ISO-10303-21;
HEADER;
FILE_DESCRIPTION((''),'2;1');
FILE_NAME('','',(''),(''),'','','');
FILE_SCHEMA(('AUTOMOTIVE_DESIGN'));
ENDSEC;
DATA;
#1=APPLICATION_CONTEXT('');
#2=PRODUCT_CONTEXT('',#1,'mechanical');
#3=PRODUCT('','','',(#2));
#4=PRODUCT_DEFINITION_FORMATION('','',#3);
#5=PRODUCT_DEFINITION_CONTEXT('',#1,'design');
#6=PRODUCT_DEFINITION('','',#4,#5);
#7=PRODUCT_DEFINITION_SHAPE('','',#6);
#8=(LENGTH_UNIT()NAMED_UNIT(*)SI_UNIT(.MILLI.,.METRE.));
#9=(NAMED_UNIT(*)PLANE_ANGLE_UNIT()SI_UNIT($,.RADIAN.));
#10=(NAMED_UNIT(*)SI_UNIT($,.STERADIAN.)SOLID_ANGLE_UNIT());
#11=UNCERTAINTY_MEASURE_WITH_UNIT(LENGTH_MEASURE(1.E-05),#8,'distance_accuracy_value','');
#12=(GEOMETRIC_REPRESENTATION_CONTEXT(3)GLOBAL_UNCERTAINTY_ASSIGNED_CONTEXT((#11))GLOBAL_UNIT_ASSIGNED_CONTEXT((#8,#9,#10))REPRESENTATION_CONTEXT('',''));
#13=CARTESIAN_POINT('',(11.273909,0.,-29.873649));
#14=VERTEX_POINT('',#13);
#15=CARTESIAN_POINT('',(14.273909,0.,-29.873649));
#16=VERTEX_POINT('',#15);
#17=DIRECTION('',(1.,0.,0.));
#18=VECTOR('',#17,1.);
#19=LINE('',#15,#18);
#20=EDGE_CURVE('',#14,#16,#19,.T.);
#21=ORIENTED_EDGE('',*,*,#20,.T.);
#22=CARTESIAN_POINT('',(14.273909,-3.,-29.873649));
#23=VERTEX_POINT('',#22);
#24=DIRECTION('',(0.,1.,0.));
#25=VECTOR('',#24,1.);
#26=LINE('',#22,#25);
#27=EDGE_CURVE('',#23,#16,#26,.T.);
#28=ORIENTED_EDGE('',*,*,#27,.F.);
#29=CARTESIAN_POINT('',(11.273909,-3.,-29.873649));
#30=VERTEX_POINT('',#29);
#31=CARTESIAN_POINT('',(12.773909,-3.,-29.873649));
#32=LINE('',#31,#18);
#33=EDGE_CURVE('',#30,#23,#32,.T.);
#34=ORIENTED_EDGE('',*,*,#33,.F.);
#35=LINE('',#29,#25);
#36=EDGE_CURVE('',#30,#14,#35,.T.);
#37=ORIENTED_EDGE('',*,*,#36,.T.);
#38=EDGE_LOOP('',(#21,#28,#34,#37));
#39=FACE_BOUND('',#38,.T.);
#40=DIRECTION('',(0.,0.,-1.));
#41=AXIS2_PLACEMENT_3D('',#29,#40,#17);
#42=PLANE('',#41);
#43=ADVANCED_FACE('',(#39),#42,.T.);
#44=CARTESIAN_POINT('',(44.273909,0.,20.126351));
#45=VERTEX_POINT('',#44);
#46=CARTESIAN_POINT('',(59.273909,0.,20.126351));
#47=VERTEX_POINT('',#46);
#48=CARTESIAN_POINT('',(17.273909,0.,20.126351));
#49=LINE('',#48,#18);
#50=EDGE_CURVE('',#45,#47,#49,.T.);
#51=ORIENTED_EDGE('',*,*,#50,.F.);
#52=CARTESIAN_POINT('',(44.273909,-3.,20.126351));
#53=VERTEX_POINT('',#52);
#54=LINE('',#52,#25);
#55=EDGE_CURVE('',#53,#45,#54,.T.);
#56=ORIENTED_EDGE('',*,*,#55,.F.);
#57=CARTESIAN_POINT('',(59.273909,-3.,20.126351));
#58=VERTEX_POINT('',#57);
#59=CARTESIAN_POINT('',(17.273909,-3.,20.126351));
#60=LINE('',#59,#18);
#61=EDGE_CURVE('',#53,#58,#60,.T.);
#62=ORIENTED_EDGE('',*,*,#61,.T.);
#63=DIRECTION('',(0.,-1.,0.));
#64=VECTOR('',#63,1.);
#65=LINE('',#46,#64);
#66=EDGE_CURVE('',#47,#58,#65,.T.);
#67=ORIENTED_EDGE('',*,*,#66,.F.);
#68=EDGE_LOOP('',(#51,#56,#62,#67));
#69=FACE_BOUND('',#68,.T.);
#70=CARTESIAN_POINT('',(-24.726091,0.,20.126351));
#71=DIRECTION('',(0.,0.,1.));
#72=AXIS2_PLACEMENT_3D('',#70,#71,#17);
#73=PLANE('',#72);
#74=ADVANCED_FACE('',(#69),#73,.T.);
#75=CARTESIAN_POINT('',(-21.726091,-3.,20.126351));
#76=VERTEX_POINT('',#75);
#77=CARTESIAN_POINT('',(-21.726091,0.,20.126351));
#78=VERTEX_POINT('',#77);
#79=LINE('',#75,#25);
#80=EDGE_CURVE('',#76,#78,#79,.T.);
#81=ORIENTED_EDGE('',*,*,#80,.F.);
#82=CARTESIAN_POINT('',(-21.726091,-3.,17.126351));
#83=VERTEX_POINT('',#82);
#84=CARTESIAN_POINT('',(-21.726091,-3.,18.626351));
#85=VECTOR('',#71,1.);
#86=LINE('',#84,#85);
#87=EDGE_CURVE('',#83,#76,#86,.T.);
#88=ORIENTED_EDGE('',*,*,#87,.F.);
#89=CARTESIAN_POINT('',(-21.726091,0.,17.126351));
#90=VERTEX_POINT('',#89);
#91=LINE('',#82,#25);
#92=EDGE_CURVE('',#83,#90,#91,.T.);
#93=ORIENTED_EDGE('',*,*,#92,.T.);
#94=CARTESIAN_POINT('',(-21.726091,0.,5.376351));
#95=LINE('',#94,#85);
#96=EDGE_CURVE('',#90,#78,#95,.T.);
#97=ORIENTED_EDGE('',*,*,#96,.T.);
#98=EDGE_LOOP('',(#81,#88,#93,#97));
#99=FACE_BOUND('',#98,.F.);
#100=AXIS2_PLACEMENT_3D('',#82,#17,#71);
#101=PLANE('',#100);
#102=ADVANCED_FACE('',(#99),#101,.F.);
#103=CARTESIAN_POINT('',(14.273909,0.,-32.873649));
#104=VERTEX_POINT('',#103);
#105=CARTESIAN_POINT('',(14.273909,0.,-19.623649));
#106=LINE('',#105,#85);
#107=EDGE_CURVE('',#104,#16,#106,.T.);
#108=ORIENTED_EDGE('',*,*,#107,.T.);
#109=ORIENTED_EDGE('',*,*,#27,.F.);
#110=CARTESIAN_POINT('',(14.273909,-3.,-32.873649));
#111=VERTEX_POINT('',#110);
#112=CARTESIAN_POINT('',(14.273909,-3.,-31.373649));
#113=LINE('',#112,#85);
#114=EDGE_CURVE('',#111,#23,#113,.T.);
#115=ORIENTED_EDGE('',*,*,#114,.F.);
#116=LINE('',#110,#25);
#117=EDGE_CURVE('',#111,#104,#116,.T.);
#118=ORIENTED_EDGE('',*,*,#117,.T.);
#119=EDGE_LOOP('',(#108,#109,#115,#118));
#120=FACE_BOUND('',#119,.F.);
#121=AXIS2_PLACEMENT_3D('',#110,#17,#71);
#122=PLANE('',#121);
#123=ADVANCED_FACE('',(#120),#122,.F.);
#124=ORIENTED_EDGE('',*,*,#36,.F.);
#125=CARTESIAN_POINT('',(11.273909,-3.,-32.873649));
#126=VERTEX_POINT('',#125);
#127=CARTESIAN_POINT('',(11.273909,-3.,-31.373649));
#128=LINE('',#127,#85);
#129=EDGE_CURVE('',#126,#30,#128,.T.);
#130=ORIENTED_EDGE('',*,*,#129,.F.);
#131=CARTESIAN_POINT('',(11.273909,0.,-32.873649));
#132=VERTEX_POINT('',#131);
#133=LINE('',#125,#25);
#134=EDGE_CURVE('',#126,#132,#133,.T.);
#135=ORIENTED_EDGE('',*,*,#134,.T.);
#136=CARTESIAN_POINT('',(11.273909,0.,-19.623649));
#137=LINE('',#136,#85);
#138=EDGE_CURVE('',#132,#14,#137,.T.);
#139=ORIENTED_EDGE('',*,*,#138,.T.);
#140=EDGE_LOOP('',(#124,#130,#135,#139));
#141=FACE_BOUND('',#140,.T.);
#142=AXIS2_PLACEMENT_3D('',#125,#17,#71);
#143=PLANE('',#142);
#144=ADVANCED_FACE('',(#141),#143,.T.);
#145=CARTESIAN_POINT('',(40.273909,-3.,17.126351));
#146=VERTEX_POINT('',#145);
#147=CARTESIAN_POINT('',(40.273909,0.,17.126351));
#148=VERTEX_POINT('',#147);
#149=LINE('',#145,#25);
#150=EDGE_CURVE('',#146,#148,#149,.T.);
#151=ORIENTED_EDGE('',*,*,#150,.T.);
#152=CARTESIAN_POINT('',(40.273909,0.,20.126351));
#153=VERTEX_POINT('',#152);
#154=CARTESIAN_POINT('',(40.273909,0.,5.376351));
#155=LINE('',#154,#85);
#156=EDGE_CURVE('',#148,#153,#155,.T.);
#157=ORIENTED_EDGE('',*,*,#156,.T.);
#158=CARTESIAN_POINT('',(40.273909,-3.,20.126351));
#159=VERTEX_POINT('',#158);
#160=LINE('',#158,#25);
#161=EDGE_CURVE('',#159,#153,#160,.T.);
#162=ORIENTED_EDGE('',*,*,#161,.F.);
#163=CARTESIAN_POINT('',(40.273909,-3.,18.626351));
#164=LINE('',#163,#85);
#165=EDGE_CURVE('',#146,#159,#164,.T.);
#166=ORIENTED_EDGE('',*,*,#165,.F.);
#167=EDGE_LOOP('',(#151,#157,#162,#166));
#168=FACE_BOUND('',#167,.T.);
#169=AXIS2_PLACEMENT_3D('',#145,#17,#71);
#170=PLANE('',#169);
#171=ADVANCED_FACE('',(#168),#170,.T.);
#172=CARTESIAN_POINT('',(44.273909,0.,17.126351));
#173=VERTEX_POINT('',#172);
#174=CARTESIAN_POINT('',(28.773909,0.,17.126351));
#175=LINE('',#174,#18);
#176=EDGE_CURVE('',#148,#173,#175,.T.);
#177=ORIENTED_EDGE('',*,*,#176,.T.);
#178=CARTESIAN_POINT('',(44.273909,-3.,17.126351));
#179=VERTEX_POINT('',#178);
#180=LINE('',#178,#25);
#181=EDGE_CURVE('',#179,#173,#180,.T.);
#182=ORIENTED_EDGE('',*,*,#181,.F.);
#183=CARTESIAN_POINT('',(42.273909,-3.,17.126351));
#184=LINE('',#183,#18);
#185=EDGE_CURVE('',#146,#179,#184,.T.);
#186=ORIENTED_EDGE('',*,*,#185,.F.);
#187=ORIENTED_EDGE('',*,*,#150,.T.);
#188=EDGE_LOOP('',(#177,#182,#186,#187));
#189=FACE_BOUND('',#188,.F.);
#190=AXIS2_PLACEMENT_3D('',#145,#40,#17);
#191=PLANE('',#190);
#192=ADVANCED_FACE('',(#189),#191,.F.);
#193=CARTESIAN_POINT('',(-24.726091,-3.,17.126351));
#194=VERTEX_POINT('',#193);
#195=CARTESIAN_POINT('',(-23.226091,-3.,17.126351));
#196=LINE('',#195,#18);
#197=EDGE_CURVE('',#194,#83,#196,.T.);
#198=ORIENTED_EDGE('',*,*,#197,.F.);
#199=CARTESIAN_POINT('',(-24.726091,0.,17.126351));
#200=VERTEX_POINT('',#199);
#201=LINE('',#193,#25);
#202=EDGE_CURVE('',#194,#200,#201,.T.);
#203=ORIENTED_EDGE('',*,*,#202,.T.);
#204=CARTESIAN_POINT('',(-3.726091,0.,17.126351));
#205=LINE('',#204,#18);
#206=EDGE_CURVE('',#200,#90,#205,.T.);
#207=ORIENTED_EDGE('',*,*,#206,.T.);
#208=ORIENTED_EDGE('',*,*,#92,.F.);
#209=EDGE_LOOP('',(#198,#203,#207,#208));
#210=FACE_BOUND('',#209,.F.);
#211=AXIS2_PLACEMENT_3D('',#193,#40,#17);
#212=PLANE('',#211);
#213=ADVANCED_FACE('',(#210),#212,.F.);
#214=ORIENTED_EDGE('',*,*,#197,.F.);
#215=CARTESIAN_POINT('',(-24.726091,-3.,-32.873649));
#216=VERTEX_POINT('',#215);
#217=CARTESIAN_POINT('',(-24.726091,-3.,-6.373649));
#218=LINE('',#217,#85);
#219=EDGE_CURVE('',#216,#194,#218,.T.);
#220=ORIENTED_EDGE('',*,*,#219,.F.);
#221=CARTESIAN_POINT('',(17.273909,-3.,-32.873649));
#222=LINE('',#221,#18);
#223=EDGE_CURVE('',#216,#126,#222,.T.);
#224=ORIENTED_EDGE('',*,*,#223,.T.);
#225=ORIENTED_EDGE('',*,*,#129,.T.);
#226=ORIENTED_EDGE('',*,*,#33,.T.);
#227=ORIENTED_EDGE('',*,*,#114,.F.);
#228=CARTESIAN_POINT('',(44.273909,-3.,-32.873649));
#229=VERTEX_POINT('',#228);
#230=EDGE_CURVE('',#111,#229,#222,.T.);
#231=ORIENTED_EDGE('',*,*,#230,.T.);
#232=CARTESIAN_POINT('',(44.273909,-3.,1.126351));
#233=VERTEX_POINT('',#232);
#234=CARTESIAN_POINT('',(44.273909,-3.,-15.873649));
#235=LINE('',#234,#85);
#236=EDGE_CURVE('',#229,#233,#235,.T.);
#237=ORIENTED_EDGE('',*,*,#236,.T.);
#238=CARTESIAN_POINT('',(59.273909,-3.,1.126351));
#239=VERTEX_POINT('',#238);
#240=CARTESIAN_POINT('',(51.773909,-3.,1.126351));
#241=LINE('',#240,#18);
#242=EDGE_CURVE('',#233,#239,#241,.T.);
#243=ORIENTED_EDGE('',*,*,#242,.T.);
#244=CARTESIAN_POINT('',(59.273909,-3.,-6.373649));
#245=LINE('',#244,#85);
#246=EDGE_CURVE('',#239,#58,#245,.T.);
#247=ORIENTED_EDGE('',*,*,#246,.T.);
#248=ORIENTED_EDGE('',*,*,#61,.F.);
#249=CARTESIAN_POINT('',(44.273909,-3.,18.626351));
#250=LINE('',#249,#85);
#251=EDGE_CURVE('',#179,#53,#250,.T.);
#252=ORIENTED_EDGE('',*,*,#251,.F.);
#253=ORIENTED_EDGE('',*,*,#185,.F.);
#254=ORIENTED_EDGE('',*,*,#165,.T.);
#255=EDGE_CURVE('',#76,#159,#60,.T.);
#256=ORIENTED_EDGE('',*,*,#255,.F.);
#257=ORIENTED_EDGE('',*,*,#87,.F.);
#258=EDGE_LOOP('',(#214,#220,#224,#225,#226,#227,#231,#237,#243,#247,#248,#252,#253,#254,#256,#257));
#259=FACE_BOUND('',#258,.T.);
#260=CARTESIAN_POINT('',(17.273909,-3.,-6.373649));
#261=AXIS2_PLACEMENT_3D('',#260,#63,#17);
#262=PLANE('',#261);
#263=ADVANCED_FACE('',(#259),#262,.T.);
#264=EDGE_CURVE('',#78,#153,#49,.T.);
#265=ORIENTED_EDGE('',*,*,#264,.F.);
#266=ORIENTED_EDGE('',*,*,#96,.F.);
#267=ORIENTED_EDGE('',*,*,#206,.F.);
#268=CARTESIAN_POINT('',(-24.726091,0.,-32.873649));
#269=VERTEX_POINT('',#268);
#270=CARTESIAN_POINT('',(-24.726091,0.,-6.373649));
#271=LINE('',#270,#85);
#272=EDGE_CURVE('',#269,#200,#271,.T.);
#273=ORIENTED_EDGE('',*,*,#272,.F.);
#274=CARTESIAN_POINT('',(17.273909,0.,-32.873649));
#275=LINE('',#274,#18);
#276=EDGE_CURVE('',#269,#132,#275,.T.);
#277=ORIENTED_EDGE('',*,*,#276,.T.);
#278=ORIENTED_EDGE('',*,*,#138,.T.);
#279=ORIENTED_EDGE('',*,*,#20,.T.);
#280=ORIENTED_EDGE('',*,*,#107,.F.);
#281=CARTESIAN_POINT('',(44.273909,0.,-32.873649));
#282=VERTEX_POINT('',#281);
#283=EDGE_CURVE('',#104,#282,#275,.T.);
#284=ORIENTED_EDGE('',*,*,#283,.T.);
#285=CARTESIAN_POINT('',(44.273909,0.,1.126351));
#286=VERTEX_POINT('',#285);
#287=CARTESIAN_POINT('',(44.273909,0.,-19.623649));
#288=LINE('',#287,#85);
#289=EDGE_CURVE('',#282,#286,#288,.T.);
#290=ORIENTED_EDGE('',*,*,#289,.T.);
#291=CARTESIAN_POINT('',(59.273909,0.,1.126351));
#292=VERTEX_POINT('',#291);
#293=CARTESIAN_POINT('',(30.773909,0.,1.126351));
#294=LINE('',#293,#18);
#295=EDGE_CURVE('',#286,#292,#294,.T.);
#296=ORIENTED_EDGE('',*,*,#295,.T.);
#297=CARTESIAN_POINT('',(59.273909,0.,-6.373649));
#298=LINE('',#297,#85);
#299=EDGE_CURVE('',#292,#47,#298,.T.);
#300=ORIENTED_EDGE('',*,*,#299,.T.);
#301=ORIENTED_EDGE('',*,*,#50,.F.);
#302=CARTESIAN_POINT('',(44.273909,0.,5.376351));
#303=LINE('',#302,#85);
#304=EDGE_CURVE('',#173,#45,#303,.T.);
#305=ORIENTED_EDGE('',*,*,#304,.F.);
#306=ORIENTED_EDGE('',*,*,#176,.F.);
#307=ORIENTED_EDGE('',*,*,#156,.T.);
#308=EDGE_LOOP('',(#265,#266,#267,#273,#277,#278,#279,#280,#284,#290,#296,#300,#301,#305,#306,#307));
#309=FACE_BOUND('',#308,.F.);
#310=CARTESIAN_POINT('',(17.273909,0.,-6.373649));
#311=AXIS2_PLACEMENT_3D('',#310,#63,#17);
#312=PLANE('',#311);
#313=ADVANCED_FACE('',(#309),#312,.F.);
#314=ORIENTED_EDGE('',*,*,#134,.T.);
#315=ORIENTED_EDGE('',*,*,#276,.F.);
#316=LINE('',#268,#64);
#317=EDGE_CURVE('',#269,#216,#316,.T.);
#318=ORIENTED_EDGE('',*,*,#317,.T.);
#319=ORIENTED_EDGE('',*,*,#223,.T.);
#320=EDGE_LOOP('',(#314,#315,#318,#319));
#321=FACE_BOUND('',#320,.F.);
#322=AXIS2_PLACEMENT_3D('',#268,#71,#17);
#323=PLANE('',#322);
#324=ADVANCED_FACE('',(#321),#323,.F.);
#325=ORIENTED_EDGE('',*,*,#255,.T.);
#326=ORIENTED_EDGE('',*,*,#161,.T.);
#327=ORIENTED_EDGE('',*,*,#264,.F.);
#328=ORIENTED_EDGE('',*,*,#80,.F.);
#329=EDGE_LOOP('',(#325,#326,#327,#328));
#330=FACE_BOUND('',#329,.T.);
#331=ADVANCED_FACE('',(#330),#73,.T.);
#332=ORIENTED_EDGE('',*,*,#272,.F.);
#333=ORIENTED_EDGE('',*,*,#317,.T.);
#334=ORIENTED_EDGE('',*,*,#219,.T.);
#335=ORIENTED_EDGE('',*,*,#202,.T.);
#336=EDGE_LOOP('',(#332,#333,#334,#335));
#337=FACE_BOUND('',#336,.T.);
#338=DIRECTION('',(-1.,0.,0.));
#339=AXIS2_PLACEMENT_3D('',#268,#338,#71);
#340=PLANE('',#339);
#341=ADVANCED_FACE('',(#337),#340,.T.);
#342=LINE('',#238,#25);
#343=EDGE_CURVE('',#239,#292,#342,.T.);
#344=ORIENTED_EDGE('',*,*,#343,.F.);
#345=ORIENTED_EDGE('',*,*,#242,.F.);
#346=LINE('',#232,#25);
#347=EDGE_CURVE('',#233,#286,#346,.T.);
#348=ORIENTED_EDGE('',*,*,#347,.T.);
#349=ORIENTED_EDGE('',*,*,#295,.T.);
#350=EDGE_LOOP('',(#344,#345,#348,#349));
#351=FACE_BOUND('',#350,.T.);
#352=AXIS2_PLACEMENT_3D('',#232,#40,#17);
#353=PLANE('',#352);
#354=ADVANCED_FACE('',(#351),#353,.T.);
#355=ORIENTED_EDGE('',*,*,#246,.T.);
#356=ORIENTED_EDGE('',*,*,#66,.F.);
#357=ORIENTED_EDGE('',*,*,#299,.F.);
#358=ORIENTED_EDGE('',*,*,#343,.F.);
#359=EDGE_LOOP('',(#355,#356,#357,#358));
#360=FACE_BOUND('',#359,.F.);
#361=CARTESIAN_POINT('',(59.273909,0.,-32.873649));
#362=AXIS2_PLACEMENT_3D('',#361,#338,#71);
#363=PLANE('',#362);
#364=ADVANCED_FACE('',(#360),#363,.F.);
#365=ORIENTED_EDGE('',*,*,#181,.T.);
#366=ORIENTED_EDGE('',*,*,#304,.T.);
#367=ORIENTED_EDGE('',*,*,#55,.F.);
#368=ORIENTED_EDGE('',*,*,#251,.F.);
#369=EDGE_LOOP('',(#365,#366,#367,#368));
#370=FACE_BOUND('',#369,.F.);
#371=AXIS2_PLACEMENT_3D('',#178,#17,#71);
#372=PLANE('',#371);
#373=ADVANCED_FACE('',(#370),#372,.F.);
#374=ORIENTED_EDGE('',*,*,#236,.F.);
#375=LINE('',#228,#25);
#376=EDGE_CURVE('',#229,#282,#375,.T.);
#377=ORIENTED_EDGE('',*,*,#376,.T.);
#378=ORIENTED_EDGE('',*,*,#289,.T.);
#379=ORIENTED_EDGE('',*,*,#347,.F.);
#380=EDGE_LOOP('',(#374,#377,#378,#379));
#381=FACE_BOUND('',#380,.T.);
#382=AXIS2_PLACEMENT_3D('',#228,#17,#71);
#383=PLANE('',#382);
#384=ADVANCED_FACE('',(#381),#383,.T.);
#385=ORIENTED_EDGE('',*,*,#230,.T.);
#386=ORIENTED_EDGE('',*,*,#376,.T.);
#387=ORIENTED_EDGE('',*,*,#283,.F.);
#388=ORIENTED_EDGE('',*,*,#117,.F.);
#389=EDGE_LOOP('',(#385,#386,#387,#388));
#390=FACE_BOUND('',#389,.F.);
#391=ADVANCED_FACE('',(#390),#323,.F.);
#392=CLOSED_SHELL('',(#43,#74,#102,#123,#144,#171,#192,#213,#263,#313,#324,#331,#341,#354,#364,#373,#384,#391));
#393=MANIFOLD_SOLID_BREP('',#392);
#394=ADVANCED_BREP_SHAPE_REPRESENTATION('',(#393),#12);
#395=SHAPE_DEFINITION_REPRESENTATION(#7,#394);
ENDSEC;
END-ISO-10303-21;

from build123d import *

# Parameters (mm, degrees)
F0_W     = 84
F0_H     = 53
F1_DEPTH = 3
F2_W     = 15
F2_H     = 34
F3_DEPTH = 25
F4_W     = 4
F4_H     = 3
F5_DEPTH = 25
F6_W     = 3
F6_H     = 3
F7_DEPTH = 25
F8_W     = 3
F8_H     = 3
F9_DEPTH = 25


with BuildPart() as f1:
    # F0 (on Front) → F1 (new body)
    with BuildSketch(Plane.XZ):
        with Locations((17.273909, -6.373649)):
            Rectangle(F0_W, F0_H)
    extrude(amount=F1_DEPTH)

    # F2 (on face) → F3 (cut)
    with BuildSketch(Plane.XZ.offset(3)):
        with Locations((51.773909, -15.873649)):
            Rectangle(F2_W, F2_H)
    extrude(amount=-F3_DEPTH, mode=Mode.SUBTRACT)

    # F4 (on face) → F5 (cut)
    with BuildSketch(Plane.XZ.offset(3)):
        with Locations((42.273909, 18.626351)):
            Rectangle(F4_W, F4_H)
    extrude(amount=-F5_DEPTH, mode=Mode.SUBTRACT)

    # F6 (on face) → F7 (cut)
    with BuildSketch(Plane.XZ.offset(3)):
        with Locations((-23.226091, 18.626351)):
            Rectangle(F6_W, F6_H)
    extrude(amount=-F7_DEPTH, mode=Mode.SUBTRACT)

    # F8 (on face) → F9 (cut)
    with BuildSketch(Plane.XZ.offset(3)):
        with Locations((12.773909, -31.373649)):
            Rectangle(F8_W, F8_H)
    extrude(amount=-F9_DEPTH, mode=Mode.SUBTRACT)


solid = f1.part
